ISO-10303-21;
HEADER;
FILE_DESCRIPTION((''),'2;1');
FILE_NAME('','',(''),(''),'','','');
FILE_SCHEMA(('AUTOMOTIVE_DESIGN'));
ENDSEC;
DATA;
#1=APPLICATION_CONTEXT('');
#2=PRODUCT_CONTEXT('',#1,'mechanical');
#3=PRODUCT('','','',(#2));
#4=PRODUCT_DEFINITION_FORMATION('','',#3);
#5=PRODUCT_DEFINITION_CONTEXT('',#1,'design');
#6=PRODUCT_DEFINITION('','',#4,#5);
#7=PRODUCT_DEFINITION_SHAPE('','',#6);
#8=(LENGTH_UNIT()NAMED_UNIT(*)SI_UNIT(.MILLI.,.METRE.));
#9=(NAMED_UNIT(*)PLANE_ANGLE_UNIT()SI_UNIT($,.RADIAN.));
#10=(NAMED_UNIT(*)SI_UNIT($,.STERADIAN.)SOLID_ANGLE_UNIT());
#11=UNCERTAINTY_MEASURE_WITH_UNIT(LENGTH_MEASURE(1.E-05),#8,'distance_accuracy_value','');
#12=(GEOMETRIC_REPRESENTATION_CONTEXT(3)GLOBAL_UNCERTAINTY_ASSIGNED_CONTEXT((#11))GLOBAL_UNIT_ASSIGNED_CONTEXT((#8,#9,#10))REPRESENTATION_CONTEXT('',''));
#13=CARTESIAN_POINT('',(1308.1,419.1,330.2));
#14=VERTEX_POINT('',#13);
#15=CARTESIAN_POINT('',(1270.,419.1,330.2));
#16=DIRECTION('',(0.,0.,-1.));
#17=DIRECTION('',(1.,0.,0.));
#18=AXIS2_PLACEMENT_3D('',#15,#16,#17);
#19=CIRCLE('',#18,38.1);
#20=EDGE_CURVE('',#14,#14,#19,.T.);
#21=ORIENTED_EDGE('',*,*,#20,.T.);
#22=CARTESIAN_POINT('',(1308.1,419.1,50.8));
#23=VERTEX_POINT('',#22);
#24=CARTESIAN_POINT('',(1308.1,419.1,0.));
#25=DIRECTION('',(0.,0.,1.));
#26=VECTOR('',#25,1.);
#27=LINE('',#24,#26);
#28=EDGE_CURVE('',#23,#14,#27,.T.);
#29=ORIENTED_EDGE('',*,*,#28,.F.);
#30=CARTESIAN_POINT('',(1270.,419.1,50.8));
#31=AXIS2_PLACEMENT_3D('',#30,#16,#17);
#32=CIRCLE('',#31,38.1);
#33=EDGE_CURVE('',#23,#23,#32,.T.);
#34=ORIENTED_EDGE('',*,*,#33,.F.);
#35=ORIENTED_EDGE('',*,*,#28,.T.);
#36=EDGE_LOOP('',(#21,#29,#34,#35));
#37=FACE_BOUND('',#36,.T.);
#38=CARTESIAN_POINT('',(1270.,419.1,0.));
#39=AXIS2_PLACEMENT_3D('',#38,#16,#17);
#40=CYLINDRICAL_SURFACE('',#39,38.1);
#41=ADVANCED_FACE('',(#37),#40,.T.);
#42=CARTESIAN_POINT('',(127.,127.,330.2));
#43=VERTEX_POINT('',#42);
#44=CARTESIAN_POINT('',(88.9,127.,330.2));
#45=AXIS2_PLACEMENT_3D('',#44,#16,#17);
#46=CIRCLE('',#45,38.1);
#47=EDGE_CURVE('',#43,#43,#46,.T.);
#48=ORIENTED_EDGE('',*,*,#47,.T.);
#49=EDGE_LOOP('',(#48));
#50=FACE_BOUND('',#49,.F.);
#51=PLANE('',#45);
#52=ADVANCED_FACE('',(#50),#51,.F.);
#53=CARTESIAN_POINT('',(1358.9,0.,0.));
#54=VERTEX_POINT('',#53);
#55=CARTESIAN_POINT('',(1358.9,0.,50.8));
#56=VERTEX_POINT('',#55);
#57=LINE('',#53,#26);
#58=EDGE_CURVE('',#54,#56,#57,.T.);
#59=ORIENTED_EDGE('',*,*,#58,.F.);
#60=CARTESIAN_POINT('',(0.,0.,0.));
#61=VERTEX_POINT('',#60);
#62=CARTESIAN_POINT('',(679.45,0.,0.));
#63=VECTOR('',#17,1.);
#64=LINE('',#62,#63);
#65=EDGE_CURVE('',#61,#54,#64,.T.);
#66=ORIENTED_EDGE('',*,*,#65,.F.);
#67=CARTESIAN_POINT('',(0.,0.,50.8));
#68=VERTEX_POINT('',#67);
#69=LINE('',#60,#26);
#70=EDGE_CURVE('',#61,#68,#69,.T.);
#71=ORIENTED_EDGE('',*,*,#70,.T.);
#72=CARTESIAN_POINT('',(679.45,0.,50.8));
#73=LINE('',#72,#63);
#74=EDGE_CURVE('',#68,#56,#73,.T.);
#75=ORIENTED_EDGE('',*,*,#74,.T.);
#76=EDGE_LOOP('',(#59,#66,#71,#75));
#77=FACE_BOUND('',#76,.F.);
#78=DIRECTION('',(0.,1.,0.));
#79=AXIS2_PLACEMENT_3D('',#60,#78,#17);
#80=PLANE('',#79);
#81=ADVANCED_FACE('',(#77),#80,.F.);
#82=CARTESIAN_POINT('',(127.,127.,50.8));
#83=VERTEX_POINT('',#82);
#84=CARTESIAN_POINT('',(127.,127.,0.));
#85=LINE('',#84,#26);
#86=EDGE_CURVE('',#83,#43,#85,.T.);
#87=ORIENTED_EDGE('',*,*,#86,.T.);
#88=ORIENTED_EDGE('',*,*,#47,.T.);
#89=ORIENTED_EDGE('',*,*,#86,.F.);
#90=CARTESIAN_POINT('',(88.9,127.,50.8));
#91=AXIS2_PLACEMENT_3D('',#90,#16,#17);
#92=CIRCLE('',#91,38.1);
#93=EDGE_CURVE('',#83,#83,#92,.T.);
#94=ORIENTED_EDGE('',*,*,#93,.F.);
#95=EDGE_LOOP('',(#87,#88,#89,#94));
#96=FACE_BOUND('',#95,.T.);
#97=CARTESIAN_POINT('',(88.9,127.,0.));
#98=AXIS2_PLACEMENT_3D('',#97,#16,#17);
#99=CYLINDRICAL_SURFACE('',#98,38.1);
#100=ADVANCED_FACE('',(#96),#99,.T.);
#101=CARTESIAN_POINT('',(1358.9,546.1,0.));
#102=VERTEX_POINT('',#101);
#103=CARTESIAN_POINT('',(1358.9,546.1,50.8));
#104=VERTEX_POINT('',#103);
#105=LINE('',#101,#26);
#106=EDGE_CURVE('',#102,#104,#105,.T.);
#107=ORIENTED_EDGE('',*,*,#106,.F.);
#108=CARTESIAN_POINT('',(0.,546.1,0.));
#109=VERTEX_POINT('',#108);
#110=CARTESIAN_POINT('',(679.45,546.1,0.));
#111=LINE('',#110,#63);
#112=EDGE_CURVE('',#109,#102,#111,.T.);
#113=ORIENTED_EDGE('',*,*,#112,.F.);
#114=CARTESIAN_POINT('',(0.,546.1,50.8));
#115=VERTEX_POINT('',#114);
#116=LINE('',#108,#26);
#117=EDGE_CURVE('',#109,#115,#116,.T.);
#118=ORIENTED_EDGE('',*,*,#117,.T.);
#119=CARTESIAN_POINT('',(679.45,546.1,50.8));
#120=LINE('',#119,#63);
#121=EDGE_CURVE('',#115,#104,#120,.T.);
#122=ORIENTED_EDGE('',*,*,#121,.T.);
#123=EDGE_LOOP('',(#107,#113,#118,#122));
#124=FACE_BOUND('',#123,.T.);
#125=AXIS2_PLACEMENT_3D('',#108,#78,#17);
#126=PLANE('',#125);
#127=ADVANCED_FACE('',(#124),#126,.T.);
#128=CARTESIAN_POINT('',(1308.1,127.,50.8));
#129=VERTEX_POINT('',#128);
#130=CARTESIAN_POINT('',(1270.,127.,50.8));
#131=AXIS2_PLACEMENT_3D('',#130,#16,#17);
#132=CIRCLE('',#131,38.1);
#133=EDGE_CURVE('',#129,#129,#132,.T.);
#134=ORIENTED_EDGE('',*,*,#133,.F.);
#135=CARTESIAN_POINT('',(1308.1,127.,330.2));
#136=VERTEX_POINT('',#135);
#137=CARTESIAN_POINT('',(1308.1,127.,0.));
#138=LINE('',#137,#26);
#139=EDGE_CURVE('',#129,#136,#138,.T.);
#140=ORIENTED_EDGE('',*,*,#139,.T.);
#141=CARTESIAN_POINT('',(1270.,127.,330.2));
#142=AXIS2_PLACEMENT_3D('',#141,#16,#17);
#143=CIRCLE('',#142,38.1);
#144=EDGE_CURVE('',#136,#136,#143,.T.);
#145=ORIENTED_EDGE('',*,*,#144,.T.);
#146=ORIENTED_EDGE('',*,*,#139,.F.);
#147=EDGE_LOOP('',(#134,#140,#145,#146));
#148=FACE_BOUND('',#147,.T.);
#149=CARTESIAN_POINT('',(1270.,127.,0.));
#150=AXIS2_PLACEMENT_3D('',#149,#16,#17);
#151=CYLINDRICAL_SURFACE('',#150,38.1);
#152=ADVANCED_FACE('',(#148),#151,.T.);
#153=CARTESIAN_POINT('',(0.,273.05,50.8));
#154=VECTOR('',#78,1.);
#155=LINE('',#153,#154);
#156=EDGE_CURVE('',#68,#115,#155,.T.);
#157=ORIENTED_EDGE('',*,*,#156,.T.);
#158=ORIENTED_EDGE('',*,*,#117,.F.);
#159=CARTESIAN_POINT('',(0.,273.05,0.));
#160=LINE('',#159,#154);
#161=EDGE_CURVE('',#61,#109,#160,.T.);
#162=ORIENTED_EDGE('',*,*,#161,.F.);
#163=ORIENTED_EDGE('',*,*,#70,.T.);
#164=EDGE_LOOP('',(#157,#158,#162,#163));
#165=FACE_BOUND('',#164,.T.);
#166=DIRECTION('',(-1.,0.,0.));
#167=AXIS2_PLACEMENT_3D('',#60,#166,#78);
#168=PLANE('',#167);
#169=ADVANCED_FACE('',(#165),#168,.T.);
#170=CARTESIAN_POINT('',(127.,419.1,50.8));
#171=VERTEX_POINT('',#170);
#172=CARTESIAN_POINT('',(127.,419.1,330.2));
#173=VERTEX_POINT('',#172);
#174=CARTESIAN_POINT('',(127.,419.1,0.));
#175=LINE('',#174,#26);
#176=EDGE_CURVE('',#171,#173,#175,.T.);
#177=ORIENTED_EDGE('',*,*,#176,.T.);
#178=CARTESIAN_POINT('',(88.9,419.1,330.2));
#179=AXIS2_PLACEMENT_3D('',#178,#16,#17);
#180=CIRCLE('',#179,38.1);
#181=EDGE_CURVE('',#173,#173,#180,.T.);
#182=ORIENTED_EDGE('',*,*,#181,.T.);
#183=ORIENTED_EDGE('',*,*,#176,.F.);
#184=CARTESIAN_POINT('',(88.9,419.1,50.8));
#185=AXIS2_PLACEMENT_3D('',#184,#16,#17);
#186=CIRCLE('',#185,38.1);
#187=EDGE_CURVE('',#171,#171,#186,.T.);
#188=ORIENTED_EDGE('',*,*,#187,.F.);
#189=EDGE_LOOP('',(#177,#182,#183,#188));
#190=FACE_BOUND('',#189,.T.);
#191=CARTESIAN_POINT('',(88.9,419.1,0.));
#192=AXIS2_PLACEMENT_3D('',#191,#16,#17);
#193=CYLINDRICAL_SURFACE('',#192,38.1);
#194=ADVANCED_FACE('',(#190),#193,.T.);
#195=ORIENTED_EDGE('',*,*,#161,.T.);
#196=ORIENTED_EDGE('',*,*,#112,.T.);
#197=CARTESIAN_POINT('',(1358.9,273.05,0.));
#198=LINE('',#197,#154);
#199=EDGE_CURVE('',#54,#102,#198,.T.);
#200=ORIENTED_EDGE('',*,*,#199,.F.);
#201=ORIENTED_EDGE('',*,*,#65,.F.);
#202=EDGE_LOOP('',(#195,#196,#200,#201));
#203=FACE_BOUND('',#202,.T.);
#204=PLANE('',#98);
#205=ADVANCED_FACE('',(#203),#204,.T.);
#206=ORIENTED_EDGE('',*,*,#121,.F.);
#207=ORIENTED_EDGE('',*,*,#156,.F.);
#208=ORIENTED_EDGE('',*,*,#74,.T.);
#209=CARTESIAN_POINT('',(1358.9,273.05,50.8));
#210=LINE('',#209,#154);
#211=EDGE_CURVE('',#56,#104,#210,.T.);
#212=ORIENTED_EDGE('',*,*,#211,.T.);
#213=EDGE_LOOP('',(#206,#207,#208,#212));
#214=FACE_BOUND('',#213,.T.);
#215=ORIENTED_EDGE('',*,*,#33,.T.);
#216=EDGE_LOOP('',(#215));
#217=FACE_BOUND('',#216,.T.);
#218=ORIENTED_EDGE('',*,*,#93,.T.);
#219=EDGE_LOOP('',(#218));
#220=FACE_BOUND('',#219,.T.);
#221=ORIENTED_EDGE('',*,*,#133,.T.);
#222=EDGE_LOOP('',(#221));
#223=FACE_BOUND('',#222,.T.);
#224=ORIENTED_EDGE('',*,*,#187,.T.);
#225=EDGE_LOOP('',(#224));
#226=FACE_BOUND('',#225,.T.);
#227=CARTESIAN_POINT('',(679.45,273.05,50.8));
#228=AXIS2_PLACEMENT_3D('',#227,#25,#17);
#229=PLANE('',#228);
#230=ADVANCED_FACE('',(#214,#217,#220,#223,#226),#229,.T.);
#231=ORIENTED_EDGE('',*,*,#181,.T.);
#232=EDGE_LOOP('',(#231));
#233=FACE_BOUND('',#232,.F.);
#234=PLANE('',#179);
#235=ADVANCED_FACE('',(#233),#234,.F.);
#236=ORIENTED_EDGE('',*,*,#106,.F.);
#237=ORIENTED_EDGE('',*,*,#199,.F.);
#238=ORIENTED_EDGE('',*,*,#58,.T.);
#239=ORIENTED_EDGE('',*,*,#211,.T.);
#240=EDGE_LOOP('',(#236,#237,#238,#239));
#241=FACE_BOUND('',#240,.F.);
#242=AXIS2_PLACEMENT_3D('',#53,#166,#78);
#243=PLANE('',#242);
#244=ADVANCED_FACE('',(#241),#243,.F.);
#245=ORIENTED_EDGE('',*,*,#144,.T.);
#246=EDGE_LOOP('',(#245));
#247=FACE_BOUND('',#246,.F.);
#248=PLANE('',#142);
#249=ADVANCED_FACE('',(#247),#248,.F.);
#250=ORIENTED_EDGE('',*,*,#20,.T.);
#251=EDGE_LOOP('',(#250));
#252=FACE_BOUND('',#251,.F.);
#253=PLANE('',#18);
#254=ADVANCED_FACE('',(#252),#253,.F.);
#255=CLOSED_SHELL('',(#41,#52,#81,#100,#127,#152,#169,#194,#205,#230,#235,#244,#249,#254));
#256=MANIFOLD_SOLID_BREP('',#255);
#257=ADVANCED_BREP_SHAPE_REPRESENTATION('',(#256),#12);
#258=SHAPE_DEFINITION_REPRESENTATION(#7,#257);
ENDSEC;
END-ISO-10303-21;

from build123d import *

# Parameters (mm, degrees)
F0_W     = 1358.9
F0_H     = 546.1
F1_DEPTH = 50.8
F2_R     = 38.1
F3_DEPTH = 330.2


with BuildPart() as f1:
    # F0 (on Top) → F1 (new body)
    with BuildSketch(Plane.XY):
        with Locations((679.45, 273.05)):
            Rectangle(F0_W, F0_H)
    extrude(amount=F1_DEPTH)

    # F2 (on face) → F3 (join)
    with BuildSketch(Plane(origin=(0, 0, 0), x_dir=(1, 0, 0), z_dir=(0, 0, -1))):
        with Locations((88.9, -127)):
            Circle(F2_R)
        with Locations((1270, -127)):
            Circle(F2_R)
        with Locations((88.9, -419.1)):
            Circle(F2_R)
        with Locations((1270, -419.1)):
            Circle(F2_R)
    extrude(amount=-F3_DEPTH)


solid = f1.part
